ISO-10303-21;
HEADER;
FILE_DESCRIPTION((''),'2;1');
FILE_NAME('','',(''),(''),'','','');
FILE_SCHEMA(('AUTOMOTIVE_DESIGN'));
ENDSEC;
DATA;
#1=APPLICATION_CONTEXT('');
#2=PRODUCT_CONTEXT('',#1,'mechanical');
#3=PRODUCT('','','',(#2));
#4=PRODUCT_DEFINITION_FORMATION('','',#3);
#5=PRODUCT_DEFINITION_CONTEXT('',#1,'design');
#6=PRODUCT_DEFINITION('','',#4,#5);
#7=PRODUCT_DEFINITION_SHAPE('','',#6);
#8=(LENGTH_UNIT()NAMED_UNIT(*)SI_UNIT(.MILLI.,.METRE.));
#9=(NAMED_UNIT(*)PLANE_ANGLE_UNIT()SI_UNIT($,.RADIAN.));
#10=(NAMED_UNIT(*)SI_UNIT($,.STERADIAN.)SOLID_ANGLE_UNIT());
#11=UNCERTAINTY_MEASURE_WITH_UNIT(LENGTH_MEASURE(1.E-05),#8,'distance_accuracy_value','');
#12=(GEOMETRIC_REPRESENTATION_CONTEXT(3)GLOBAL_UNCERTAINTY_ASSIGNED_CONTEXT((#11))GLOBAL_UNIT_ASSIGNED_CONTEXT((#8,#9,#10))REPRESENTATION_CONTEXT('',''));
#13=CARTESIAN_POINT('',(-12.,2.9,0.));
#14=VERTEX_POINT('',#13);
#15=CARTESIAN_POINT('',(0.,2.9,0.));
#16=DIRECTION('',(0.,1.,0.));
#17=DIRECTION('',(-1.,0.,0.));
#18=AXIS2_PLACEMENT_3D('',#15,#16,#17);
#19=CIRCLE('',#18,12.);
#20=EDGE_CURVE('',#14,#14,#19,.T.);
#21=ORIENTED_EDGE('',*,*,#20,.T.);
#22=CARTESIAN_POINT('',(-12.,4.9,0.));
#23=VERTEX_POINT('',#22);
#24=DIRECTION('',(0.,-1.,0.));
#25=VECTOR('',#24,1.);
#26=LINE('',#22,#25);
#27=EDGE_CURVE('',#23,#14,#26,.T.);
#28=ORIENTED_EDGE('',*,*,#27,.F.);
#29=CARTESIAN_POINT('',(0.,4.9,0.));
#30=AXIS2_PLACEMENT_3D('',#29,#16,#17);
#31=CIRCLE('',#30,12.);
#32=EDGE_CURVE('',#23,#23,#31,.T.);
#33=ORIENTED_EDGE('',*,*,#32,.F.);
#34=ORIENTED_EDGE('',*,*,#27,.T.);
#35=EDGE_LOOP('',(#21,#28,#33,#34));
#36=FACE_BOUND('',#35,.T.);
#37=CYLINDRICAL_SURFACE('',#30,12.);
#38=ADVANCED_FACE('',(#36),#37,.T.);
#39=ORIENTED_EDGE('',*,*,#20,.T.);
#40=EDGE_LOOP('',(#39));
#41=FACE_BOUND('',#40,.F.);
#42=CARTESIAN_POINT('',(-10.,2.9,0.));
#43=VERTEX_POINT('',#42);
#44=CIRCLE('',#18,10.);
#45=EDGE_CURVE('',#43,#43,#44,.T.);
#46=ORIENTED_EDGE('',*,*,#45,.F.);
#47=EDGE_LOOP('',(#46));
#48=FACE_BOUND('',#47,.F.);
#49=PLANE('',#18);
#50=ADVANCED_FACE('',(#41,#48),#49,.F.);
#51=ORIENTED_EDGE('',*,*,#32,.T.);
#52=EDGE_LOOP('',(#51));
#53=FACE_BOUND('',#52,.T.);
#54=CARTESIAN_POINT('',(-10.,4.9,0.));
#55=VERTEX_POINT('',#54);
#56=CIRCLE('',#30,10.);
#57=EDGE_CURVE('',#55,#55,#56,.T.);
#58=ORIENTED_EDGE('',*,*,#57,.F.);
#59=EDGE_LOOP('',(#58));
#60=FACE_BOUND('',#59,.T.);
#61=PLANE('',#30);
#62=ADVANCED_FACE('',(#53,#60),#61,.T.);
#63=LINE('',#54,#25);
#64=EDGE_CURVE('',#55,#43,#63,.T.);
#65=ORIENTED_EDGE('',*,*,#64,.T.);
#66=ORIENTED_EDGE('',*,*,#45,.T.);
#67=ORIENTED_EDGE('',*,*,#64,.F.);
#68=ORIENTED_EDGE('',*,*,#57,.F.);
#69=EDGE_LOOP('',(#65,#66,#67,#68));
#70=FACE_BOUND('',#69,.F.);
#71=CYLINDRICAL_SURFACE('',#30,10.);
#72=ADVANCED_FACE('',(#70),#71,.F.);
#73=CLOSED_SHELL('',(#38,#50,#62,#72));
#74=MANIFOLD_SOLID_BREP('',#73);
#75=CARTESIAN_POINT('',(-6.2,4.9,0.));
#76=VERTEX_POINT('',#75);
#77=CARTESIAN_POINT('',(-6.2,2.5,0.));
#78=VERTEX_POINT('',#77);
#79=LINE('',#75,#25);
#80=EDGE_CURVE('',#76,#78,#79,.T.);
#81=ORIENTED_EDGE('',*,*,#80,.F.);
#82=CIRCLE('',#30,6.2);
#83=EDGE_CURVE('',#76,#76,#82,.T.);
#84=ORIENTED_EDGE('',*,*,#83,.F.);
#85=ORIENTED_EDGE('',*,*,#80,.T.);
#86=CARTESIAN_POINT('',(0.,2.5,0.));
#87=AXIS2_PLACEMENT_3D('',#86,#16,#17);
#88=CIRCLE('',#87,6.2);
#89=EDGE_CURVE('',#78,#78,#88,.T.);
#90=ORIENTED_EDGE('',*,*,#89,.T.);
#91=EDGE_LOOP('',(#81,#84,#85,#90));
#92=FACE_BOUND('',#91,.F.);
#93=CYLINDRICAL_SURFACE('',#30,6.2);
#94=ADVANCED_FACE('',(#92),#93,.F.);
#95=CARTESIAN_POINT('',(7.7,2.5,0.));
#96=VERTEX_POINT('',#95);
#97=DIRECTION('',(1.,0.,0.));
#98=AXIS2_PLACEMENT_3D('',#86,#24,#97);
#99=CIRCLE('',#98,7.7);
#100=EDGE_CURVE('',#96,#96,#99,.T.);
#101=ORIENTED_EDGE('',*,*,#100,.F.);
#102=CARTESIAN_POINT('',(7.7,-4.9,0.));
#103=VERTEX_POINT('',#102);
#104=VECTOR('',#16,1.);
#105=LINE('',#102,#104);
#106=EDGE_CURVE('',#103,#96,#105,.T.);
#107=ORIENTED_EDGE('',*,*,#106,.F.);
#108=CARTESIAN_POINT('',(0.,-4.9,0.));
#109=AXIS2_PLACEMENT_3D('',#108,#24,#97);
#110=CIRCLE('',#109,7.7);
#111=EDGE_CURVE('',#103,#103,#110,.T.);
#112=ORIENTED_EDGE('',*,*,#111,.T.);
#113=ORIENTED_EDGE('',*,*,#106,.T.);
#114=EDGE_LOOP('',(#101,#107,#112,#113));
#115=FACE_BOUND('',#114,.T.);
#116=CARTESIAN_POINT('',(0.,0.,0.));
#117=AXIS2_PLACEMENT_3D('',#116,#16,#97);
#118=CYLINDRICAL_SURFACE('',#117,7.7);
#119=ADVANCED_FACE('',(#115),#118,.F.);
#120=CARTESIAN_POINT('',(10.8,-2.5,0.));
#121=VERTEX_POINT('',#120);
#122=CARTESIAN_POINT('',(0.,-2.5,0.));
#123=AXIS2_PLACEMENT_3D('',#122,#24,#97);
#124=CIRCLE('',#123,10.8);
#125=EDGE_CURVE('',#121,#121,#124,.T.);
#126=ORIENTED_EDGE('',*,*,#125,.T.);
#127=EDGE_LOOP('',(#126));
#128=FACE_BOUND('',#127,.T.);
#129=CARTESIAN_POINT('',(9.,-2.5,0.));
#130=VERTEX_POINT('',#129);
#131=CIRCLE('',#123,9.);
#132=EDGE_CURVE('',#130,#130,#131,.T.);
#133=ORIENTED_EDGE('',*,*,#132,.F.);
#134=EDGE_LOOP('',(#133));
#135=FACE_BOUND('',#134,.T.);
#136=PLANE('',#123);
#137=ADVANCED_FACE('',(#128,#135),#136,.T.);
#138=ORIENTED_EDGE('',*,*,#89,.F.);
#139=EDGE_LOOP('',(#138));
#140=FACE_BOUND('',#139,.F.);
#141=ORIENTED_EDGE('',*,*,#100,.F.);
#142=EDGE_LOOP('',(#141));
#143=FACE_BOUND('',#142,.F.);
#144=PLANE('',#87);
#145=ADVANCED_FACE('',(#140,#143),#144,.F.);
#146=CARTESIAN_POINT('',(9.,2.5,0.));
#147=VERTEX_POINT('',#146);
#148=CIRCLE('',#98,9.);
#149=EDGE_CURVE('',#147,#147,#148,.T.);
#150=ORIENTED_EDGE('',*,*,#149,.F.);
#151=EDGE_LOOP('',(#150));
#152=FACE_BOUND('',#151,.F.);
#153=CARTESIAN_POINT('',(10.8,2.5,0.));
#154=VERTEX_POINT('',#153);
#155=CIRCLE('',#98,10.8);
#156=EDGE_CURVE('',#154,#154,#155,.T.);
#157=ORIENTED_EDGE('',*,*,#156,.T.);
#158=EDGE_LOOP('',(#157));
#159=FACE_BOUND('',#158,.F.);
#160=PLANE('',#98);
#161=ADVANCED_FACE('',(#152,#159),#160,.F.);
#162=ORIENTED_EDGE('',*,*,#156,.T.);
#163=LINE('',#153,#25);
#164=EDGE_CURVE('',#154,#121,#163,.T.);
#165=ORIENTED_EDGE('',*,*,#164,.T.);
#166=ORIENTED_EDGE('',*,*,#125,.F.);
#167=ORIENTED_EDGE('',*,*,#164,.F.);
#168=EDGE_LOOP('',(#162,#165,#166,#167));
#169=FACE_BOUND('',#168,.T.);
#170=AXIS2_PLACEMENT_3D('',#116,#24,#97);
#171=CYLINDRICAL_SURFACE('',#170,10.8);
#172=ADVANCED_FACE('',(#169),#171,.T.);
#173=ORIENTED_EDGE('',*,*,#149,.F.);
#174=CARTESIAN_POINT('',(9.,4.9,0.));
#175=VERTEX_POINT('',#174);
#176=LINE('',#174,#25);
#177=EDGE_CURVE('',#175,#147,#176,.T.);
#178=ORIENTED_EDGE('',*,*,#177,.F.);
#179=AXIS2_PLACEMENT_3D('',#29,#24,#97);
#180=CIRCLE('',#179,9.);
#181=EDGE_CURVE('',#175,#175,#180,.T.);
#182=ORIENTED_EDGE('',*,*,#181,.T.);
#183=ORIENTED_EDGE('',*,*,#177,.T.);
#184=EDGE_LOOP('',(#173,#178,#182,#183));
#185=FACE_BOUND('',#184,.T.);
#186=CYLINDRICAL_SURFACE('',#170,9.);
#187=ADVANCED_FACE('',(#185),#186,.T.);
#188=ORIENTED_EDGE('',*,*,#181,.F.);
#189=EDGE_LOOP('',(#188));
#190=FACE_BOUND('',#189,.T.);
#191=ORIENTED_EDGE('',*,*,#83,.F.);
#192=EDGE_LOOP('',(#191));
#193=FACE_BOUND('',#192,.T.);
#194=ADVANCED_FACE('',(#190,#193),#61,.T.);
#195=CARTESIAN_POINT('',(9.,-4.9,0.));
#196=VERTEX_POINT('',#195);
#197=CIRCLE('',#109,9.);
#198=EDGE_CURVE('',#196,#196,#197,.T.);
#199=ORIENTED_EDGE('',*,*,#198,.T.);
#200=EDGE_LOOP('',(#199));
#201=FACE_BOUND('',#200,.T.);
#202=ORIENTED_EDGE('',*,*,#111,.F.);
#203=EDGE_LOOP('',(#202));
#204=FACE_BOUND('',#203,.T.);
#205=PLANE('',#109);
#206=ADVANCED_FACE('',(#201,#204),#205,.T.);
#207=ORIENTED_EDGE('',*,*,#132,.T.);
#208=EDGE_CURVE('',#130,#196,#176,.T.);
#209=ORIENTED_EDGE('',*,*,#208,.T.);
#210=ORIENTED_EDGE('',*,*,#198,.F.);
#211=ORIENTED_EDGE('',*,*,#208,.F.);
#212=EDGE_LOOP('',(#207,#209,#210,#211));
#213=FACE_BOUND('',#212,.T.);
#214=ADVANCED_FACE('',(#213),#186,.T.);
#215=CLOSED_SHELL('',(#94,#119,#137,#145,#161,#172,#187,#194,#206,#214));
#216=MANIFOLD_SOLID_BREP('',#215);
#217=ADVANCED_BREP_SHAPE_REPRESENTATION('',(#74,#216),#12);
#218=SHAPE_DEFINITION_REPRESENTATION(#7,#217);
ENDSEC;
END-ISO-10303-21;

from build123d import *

# Parameters (mm, degrees)
F0_R     = 10.8
F0_R_2   = 9
F1_DEPTH = 2.5
F0_R_3   = 7.7
F2_DEPTH = 4.9
F3_R     = 7.7
F3_R_2   = 6.2
F4_DEPTH = 2.4
F5_R     = 12
F5_R_2   = 10
F6_DEPTH = 2


with BuildPart() as f1:
    # F0 (on Front) → F1 (new body, symmetric)
    with BuildSketch(Plane.XZ):
        Circle(F0_R)
        Circle(F0_R_2, mode=Mode.SUBTRACT)
    extrude(amount=F1_DEPTH, both=True)

    # F0 (on Front) → F2 (join, symmetric)
    with BuildSketch(Plane.XZ):
        Circle(F0_R_2)
        Circle(F0_R_3, mode=Mode.SUBTRACT)
    extrude(amount=F2_DEPTH, both=True)

    # F3 (on face) → F4 (join)
    with BuildSketch(Plane(origin=(0, 4.9, 0), x_dir=(-1, 0, 0), z_dir=(0, 1, 0))):
        Circle(F3_R)
        Circle(F3_R_2, mode=Mode.SUBTRACT)
    extrude(amount=-F4_DEPTH)


with BuildPart() as f6:
    # F5 (on face) → F6 (new body)
    with BuildSketch(Plane(origin=(0, 4.9, 0), x_dir=(-1, 0, 0), z_dir=(0, 1, 0))):
        Circle(F5_R)
        Circle(F5_R_2, mode=Mode.SUBTRACT)
    extrude(amount=-F6_DEPTH)


solid = Compound([f1.part, f6.part])
